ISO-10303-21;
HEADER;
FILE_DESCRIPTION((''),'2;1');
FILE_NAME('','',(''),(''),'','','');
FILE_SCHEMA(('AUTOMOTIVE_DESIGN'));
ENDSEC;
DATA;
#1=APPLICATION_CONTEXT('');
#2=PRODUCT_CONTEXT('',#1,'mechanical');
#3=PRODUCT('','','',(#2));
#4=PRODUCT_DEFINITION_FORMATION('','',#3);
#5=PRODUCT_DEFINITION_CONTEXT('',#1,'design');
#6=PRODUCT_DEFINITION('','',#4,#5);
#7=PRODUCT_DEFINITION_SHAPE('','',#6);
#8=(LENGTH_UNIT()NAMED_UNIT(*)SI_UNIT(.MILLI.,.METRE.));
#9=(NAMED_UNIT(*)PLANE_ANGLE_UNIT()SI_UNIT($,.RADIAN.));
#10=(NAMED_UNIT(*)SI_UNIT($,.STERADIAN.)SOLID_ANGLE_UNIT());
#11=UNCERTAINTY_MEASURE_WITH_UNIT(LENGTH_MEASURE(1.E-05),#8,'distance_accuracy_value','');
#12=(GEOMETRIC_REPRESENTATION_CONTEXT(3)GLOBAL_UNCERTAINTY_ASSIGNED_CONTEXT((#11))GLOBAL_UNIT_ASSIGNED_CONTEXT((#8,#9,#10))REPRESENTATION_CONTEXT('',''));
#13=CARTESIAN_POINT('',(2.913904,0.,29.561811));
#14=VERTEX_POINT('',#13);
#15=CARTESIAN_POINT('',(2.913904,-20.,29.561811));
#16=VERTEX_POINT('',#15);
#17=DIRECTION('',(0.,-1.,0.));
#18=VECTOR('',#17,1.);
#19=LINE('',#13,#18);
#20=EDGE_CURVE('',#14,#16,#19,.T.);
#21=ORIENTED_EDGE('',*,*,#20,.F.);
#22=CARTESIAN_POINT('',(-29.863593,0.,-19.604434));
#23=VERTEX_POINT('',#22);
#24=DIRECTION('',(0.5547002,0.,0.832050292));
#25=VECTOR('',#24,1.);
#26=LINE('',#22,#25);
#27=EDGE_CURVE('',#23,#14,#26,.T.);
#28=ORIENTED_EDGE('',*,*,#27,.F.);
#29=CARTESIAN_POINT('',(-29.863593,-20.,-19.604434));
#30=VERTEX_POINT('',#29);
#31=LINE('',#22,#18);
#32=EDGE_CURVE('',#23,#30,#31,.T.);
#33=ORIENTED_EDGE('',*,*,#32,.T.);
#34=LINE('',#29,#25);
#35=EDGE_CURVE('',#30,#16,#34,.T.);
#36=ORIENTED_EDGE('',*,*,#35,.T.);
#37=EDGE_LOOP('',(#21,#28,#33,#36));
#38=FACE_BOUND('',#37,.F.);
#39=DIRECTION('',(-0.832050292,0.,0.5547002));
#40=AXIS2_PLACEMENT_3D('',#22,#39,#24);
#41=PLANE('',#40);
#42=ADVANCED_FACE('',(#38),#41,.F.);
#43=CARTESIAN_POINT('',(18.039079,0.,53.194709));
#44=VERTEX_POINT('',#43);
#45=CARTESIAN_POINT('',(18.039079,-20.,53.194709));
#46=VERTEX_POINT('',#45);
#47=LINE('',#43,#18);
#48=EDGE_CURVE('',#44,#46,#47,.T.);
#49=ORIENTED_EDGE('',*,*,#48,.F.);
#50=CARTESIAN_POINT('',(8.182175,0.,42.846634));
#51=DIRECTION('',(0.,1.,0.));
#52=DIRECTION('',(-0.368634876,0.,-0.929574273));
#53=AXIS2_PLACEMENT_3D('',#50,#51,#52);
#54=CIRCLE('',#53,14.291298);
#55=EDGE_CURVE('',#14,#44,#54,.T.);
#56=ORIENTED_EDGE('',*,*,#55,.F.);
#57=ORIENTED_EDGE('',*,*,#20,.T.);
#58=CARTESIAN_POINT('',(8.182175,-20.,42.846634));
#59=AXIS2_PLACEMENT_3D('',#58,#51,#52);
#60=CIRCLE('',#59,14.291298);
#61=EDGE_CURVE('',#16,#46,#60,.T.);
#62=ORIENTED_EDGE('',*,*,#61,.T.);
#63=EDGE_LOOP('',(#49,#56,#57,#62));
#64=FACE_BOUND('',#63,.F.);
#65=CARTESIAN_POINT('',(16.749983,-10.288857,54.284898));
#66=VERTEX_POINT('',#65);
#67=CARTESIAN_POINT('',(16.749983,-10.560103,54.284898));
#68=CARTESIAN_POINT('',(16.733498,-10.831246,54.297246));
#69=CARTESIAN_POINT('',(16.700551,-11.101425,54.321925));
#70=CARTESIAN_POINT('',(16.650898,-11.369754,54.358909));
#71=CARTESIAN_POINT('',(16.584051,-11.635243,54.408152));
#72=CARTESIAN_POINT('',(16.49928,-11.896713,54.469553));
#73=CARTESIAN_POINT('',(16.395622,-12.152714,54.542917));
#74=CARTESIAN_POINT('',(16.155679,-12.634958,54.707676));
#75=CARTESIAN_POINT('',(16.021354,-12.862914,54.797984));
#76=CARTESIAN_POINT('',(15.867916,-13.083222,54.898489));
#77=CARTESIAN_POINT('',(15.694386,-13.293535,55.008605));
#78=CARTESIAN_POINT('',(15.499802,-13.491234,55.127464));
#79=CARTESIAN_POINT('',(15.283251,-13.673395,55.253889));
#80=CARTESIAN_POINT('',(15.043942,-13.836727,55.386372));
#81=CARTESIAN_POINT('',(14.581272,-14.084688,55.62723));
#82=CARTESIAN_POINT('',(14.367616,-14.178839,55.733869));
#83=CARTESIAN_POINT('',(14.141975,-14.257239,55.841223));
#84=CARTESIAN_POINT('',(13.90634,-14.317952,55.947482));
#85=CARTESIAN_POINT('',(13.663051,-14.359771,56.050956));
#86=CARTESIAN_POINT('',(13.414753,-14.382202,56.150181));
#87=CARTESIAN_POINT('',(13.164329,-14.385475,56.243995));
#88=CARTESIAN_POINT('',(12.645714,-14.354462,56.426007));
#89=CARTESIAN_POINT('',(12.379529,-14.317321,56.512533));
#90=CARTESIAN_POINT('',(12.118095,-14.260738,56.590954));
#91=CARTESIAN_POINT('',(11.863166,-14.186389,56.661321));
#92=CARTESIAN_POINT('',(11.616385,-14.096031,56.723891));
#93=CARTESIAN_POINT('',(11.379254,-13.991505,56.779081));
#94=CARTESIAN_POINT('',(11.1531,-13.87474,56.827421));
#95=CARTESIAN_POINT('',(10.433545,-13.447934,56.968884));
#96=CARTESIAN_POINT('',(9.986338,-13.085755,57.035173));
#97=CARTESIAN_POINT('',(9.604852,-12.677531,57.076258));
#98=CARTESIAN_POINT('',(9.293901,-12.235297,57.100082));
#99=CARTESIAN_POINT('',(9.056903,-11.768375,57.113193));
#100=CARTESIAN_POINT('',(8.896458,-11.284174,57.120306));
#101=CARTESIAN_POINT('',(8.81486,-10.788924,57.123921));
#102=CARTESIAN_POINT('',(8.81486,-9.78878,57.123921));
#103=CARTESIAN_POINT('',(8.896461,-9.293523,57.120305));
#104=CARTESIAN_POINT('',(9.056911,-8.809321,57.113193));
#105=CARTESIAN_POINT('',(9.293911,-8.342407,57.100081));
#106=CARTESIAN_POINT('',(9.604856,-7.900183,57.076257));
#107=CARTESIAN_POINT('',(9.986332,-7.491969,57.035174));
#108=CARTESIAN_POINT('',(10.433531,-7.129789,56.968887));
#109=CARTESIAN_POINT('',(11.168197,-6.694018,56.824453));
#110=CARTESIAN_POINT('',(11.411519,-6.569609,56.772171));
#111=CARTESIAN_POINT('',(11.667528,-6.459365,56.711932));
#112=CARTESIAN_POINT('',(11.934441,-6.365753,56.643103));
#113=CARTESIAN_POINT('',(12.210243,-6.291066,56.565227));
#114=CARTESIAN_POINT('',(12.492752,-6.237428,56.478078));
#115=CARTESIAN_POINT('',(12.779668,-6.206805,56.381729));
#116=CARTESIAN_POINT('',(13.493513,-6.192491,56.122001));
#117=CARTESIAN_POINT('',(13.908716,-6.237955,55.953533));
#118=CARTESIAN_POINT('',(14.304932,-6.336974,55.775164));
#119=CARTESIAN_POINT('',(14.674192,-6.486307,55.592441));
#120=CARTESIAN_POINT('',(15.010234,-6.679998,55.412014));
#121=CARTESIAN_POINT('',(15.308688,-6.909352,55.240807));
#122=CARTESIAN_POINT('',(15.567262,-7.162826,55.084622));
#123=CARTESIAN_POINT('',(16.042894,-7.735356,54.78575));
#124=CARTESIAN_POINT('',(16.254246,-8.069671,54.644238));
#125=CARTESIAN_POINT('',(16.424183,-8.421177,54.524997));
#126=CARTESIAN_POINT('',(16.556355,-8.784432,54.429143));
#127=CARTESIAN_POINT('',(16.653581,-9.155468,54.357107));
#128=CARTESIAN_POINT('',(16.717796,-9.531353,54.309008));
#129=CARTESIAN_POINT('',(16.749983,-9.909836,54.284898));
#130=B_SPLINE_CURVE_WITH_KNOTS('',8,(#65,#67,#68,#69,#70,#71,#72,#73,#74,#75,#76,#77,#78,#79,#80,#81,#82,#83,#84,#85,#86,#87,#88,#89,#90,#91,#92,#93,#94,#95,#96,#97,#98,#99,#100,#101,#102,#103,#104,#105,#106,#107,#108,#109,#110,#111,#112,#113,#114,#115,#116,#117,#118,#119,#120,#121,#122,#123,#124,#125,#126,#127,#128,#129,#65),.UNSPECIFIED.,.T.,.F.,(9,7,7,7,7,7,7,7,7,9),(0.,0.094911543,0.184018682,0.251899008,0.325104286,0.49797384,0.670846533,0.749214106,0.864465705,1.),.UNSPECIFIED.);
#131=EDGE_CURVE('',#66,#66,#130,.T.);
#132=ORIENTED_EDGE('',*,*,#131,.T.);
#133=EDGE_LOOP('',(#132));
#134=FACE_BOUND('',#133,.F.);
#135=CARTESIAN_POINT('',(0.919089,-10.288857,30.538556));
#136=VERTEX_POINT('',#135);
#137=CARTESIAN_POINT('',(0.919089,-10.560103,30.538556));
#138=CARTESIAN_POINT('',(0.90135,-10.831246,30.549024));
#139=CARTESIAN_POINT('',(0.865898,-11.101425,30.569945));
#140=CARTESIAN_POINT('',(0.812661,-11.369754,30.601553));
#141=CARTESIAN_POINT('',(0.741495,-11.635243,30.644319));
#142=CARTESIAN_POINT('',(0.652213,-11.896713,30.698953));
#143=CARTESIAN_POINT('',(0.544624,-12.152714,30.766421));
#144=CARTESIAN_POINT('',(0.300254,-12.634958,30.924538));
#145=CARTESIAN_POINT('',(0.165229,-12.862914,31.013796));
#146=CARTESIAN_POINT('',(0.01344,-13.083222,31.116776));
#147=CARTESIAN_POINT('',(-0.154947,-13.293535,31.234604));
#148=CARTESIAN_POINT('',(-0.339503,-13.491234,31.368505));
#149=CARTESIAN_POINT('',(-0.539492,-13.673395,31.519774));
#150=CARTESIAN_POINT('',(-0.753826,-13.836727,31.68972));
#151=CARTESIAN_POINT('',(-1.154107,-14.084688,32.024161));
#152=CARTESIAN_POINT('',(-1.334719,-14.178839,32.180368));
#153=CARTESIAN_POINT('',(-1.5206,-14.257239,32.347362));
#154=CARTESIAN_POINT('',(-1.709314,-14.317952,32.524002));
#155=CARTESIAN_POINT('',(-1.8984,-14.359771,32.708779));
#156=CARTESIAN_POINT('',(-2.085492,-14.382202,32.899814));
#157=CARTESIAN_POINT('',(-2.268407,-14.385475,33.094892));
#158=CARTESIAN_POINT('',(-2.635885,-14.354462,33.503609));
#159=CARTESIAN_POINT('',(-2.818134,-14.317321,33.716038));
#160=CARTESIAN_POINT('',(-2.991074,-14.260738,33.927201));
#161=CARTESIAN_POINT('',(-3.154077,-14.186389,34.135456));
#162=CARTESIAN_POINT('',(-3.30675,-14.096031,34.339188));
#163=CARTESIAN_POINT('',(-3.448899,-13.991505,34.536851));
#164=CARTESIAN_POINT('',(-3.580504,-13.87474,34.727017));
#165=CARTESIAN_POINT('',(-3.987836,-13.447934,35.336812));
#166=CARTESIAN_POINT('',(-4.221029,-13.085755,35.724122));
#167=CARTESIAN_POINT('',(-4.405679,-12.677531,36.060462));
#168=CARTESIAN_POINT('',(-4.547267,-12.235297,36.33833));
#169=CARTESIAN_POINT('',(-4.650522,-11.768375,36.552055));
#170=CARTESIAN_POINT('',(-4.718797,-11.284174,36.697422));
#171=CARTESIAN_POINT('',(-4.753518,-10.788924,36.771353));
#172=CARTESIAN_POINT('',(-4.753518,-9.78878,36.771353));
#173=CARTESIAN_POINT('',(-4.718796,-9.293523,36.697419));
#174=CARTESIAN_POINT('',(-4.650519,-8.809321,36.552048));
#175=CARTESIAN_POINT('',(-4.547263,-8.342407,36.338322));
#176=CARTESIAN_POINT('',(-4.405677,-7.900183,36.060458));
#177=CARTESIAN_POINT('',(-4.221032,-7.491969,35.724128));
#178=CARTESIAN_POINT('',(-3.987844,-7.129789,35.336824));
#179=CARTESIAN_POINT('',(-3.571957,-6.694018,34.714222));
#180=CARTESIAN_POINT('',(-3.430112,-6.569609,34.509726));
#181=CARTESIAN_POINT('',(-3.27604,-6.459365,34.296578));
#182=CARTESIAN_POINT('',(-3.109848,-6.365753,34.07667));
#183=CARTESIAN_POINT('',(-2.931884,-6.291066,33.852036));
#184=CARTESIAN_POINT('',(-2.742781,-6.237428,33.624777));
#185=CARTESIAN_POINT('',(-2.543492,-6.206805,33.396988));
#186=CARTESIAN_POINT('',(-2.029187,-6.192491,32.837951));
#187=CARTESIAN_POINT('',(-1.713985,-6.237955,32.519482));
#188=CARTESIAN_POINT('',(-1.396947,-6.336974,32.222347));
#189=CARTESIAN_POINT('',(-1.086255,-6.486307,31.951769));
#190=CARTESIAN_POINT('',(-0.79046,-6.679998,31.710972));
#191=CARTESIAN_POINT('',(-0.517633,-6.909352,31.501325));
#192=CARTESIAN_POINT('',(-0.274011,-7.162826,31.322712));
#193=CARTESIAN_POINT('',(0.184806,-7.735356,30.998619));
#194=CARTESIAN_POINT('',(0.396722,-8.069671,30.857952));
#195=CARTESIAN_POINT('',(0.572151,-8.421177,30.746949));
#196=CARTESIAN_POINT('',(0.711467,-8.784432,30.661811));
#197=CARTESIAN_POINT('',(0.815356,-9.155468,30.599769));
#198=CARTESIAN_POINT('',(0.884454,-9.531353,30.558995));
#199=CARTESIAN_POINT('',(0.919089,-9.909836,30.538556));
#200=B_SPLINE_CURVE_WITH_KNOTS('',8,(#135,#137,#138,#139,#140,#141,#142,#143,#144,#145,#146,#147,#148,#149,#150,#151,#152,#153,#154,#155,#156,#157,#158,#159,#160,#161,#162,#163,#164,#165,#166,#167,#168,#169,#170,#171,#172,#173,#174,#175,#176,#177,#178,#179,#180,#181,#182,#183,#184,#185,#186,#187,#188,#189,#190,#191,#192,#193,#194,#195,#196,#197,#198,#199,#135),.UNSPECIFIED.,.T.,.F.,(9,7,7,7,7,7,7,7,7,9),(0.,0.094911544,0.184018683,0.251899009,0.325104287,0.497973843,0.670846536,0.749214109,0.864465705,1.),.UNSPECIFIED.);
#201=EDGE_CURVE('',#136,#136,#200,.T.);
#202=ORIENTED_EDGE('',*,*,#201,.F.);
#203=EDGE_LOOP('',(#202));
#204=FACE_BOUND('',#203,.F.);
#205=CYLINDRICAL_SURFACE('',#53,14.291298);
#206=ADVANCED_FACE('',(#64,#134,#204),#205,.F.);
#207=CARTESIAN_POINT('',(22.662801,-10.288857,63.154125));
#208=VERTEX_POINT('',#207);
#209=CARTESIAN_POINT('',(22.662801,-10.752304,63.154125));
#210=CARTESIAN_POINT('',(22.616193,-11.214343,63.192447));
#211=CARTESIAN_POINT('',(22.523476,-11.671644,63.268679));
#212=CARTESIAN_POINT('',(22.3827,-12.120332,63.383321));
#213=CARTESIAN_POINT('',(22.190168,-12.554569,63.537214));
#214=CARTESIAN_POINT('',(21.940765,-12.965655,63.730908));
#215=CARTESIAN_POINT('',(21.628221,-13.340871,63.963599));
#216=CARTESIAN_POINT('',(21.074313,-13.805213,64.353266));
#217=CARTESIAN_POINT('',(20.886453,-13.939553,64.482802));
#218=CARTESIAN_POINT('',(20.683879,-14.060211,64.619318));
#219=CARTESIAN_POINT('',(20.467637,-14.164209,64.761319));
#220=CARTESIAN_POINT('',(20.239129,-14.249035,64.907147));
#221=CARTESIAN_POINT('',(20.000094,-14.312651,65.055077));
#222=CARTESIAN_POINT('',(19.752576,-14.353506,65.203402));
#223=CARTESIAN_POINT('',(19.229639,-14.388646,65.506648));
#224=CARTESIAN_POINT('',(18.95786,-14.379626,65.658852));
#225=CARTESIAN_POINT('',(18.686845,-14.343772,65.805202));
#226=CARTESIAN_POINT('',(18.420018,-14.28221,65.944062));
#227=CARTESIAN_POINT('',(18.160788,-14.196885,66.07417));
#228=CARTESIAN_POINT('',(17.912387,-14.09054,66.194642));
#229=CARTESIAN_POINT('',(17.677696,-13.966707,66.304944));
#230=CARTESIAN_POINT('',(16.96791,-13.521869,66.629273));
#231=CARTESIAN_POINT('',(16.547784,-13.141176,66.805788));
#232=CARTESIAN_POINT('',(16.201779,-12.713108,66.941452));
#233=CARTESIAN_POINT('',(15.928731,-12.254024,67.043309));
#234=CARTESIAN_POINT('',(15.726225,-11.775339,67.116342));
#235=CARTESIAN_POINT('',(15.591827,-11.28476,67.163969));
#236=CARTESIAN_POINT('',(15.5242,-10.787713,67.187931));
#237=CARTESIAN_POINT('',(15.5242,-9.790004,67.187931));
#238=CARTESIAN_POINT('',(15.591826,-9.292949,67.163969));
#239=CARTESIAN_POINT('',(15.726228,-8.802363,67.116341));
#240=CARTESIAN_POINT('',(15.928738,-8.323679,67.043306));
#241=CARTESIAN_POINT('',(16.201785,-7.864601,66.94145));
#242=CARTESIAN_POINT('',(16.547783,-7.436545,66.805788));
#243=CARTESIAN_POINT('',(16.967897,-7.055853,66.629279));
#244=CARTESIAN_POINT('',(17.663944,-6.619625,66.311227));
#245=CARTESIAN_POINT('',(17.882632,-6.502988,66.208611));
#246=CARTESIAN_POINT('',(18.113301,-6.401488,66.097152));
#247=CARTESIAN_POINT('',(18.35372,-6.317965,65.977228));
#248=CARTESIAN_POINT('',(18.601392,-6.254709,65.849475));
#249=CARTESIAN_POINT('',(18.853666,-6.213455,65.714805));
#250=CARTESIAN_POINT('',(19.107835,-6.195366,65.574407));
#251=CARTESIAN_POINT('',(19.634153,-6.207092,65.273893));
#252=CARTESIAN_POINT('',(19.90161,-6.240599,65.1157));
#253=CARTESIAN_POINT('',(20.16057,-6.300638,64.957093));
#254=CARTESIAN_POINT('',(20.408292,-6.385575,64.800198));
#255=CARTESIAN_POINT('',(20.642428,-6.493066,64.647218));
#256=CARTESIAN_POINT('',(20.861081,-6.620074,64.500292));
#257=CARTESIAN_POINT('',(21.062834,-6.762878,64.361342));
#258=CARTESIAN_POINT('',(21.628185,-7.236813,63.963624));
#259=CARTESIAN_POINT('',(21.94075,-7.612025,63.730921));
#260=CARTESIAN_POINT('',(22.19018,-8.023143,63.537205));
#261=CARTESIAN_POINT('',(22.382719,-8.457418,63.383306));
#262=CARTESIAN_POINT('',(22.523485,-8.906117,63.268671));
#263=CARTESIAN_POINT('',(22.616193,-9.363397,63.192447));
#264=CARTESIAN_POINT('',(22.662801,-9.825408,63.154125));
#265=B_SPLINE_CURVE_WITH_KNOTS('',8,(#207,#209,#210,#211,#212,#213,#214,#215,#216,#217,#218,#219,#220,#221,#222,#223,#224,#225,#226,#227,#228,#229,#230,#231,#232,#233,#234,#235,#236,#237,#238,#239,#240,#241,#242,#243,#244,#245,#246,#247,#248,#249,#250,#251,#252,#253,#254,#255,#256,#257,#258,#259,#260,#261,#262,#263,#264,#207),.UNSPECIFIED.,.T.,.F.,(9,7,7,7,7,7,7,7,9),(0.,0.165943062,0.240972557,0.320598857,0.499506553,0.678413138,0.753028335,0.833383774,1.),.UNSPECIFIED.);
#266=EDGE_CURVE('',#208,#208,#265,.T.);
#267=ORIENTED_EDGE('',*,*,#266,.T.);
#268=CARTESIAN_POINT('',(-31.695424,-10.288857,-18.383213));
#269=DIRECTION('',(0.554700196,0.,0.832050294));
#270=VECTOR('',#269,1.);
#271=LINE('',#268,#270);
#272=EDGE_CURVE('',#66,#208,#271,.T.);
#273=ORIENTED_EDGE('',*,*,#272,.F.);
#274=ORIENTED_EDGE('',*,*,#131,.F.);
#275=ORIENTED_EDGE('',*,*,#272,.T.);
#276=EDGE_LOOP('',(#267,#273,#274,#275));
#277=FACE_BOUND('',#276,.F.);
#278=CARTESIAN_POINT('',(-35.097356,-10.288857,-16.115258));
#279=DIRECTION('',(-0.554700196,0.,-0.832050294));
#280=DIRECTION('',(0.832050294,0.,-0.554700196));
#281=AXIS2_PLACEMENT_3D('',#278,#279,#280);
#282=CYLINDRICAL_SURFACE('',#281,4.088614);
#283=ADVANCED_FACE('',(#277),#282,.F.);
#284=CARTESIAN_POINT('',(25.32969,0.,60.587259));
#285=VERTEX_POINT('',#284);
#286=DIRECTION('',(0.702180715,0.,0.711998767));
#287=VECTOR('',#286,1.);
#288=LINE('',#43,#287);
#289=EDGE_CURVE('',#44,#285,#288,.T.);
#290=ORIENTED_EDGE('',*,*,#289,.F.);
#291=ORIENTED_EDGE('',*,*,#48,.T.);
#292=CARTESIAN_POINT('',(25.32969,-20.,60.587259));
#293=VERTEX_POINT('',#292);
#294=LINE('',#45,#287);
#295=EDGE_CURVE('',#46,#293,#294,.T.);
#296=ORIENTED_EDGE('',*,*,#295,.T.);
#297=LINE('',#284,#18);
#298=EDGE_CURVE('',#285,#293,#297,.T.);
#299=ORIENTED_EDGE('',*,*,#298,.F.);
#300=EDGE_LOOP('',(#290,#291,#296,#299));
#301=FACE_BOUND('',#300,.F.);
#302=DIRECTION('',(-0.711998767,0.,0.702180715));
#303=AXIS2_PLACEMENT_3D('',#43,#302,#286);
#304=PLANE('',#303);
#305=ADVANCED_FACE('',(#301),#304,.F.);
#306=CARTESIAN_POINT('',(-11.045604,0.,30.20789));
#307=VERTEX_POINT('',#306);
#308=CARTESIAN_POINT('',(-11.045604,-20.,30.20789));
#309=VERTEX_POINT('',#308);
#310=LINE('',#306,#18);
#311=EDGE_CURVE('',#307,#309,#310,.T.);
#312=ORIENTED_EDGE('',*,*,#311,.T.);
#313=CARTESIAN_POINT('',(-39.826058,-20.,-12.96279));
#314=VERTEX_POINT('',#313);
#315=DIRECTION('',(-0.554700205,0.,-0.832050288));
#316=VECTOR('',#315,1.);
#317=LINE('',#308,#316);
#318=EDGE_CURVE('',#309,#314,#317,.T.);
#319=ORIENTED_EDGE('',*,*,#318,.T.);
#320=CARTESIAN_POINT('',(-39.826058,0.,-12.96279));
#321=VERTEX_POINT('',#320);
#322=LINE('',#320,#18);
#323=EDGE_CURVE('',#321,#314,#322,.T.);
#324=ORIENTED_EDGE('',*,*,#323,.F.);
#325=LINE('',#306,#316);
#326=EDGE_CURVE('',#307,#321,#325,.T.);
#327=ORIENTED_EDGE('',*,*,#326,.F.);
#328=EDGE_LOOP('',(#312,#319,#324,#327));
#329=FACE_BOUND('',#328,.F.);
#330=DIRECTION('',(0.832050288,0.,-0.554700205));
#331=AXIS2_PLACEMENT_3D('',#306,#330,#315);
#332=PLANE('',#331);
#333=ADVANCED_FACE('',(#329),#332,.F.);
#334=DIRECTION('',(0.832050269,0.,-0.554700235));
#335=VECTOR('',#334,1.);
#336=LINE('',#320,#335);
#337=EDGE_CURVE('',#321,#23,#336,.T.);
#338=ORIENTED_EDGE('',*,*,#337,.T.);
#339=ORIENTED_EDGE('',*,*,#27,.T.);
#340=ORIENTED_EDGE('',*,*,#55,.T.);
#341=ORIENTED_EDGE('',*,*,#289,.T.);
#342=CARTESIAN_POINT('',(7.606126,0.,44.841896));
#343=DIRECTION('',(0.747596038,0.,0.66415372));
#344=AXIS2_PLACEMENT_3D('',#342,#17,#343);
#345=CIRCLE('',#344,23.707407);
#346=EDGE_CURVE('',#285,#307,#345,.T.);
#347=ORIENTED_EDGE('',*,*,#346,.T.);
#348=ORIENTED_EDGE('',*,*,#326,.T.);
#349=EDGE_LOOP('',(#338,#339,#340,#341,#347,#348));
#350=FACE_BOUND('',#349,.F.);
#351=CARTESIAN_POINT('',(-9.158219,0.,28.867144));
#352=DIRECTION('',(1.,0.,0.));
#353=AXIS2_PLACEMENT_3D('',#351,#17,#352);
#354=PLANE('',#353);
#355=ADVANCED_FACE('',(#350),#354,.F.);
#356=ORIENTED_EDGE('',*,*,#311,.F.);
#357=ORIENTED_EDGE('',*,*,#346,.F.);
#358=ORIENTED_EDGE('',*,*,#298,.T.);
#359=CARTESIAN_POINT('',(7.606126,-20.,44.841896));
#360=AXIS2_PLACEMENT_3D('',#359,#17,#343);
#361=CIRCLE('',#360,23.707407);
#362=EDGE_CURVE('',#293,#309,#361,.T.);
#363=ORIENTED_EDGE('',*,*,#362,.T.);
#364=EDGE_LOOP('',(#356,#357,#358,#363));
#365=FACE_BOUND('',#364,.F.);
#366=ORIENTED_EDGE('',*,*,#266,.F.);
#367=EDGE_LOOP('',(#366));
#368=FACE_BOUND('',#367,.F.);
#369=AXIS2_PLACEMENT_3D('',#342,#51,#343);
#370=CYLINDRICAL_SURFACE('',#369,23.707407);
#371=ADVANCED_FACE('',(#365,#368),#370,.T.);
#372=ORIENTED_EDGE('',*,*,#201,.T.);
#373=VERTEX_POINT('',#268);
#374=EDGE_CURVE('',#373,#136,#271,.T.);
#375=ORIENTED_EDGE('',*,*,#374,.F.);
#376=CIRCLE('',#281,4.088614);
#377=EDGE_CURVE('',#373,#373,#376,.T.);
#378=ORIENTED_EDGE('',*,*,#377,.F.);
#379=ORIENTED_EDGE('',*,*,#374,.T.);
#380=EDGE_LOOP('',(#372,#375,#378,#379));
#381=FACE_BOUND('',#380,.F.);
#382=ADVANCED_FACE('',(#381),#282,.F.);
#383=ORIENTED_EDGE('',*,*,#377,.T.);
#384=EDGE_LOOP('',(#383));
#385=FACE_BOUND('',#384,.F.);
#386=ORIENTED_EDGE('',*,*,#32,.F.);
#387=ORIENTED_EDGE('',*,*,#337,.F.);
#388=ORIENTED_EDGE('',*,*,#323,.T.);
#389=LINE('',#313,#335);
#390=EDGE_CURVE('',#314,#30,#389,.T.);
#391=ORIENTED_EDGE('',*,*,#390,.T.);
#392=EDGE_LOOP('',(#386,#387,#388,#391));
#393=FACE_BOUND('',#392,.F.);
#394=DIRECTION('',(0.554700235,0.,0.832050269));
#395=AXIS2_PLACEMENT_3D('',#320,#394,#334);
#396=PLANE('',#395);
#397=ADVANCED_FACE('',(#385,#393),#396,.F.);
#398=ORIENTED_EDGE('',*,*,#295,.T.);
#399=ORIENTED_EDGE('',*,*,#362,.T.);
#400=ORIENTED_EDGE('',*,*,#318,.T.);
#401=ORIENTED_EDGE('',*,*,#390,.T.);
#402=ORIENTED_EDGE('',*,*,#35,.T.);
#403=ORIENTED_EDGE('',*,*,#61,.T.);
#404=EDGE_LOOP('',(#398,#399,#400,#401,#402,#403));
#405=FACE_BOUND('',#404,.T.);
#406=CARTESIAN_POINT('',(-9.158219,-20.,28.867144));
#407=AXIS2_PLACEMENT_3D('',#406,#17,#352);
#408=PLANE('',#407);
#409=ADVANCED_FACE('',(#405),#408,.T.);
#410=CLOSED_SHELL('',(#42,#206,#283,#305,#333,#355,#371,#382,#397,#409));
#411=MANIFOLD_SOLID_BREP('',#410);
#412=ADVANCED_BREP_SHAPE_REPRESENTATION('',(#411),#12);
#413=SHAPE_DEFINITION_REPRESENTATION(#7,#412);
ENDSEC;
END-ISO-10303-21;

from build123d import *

# Parameters (mm, degrees)
F1_DEPTH = 20
F2_R     = 4.088614
F3_DEPTH = 103.965068


with BuildPart() as f1:
    # F0 (on Front) → F1 (new body)
    with BuildSketch(Plane.XZ):
        with BuildLine():
            ThreePointArc((25.32969, 60.587259), (-7.590646, 63.03803), (-11.045604, 30.20789))
            Line((-11.045604, 30.20789), (-39.826058, -12.96279))
            Line((-39.826058, -12.96279), (-29.863593, -19.604434))
            Line((-29.863593, -19.604434), (2.913904, 29.561811))
            ThreePointArc((2.913904, 29.561811), (-3.854949, 50.550455), (18.039079, 53.194709))
            Line((18.039079, 53.194709), (25.32969, 60.587259))
        make_face()
    extrude(amount=F1_DEPTH)

    # F2 (on face) → F3 (cut, through all)
    with BuildSketch(Plane(origin=(-18.236998, 0, -27.355497), x_dir=(0.83205, 0, -0.5547), z_dir=(-0.5547, 0, -0.83205))):
        with Locations((-20.263629, 10.288857)):
            Circle(F2_R)
    extrude(amount=-F3_DEPTH, mode=Mode.SUBTRACT)


solid = f1.part
